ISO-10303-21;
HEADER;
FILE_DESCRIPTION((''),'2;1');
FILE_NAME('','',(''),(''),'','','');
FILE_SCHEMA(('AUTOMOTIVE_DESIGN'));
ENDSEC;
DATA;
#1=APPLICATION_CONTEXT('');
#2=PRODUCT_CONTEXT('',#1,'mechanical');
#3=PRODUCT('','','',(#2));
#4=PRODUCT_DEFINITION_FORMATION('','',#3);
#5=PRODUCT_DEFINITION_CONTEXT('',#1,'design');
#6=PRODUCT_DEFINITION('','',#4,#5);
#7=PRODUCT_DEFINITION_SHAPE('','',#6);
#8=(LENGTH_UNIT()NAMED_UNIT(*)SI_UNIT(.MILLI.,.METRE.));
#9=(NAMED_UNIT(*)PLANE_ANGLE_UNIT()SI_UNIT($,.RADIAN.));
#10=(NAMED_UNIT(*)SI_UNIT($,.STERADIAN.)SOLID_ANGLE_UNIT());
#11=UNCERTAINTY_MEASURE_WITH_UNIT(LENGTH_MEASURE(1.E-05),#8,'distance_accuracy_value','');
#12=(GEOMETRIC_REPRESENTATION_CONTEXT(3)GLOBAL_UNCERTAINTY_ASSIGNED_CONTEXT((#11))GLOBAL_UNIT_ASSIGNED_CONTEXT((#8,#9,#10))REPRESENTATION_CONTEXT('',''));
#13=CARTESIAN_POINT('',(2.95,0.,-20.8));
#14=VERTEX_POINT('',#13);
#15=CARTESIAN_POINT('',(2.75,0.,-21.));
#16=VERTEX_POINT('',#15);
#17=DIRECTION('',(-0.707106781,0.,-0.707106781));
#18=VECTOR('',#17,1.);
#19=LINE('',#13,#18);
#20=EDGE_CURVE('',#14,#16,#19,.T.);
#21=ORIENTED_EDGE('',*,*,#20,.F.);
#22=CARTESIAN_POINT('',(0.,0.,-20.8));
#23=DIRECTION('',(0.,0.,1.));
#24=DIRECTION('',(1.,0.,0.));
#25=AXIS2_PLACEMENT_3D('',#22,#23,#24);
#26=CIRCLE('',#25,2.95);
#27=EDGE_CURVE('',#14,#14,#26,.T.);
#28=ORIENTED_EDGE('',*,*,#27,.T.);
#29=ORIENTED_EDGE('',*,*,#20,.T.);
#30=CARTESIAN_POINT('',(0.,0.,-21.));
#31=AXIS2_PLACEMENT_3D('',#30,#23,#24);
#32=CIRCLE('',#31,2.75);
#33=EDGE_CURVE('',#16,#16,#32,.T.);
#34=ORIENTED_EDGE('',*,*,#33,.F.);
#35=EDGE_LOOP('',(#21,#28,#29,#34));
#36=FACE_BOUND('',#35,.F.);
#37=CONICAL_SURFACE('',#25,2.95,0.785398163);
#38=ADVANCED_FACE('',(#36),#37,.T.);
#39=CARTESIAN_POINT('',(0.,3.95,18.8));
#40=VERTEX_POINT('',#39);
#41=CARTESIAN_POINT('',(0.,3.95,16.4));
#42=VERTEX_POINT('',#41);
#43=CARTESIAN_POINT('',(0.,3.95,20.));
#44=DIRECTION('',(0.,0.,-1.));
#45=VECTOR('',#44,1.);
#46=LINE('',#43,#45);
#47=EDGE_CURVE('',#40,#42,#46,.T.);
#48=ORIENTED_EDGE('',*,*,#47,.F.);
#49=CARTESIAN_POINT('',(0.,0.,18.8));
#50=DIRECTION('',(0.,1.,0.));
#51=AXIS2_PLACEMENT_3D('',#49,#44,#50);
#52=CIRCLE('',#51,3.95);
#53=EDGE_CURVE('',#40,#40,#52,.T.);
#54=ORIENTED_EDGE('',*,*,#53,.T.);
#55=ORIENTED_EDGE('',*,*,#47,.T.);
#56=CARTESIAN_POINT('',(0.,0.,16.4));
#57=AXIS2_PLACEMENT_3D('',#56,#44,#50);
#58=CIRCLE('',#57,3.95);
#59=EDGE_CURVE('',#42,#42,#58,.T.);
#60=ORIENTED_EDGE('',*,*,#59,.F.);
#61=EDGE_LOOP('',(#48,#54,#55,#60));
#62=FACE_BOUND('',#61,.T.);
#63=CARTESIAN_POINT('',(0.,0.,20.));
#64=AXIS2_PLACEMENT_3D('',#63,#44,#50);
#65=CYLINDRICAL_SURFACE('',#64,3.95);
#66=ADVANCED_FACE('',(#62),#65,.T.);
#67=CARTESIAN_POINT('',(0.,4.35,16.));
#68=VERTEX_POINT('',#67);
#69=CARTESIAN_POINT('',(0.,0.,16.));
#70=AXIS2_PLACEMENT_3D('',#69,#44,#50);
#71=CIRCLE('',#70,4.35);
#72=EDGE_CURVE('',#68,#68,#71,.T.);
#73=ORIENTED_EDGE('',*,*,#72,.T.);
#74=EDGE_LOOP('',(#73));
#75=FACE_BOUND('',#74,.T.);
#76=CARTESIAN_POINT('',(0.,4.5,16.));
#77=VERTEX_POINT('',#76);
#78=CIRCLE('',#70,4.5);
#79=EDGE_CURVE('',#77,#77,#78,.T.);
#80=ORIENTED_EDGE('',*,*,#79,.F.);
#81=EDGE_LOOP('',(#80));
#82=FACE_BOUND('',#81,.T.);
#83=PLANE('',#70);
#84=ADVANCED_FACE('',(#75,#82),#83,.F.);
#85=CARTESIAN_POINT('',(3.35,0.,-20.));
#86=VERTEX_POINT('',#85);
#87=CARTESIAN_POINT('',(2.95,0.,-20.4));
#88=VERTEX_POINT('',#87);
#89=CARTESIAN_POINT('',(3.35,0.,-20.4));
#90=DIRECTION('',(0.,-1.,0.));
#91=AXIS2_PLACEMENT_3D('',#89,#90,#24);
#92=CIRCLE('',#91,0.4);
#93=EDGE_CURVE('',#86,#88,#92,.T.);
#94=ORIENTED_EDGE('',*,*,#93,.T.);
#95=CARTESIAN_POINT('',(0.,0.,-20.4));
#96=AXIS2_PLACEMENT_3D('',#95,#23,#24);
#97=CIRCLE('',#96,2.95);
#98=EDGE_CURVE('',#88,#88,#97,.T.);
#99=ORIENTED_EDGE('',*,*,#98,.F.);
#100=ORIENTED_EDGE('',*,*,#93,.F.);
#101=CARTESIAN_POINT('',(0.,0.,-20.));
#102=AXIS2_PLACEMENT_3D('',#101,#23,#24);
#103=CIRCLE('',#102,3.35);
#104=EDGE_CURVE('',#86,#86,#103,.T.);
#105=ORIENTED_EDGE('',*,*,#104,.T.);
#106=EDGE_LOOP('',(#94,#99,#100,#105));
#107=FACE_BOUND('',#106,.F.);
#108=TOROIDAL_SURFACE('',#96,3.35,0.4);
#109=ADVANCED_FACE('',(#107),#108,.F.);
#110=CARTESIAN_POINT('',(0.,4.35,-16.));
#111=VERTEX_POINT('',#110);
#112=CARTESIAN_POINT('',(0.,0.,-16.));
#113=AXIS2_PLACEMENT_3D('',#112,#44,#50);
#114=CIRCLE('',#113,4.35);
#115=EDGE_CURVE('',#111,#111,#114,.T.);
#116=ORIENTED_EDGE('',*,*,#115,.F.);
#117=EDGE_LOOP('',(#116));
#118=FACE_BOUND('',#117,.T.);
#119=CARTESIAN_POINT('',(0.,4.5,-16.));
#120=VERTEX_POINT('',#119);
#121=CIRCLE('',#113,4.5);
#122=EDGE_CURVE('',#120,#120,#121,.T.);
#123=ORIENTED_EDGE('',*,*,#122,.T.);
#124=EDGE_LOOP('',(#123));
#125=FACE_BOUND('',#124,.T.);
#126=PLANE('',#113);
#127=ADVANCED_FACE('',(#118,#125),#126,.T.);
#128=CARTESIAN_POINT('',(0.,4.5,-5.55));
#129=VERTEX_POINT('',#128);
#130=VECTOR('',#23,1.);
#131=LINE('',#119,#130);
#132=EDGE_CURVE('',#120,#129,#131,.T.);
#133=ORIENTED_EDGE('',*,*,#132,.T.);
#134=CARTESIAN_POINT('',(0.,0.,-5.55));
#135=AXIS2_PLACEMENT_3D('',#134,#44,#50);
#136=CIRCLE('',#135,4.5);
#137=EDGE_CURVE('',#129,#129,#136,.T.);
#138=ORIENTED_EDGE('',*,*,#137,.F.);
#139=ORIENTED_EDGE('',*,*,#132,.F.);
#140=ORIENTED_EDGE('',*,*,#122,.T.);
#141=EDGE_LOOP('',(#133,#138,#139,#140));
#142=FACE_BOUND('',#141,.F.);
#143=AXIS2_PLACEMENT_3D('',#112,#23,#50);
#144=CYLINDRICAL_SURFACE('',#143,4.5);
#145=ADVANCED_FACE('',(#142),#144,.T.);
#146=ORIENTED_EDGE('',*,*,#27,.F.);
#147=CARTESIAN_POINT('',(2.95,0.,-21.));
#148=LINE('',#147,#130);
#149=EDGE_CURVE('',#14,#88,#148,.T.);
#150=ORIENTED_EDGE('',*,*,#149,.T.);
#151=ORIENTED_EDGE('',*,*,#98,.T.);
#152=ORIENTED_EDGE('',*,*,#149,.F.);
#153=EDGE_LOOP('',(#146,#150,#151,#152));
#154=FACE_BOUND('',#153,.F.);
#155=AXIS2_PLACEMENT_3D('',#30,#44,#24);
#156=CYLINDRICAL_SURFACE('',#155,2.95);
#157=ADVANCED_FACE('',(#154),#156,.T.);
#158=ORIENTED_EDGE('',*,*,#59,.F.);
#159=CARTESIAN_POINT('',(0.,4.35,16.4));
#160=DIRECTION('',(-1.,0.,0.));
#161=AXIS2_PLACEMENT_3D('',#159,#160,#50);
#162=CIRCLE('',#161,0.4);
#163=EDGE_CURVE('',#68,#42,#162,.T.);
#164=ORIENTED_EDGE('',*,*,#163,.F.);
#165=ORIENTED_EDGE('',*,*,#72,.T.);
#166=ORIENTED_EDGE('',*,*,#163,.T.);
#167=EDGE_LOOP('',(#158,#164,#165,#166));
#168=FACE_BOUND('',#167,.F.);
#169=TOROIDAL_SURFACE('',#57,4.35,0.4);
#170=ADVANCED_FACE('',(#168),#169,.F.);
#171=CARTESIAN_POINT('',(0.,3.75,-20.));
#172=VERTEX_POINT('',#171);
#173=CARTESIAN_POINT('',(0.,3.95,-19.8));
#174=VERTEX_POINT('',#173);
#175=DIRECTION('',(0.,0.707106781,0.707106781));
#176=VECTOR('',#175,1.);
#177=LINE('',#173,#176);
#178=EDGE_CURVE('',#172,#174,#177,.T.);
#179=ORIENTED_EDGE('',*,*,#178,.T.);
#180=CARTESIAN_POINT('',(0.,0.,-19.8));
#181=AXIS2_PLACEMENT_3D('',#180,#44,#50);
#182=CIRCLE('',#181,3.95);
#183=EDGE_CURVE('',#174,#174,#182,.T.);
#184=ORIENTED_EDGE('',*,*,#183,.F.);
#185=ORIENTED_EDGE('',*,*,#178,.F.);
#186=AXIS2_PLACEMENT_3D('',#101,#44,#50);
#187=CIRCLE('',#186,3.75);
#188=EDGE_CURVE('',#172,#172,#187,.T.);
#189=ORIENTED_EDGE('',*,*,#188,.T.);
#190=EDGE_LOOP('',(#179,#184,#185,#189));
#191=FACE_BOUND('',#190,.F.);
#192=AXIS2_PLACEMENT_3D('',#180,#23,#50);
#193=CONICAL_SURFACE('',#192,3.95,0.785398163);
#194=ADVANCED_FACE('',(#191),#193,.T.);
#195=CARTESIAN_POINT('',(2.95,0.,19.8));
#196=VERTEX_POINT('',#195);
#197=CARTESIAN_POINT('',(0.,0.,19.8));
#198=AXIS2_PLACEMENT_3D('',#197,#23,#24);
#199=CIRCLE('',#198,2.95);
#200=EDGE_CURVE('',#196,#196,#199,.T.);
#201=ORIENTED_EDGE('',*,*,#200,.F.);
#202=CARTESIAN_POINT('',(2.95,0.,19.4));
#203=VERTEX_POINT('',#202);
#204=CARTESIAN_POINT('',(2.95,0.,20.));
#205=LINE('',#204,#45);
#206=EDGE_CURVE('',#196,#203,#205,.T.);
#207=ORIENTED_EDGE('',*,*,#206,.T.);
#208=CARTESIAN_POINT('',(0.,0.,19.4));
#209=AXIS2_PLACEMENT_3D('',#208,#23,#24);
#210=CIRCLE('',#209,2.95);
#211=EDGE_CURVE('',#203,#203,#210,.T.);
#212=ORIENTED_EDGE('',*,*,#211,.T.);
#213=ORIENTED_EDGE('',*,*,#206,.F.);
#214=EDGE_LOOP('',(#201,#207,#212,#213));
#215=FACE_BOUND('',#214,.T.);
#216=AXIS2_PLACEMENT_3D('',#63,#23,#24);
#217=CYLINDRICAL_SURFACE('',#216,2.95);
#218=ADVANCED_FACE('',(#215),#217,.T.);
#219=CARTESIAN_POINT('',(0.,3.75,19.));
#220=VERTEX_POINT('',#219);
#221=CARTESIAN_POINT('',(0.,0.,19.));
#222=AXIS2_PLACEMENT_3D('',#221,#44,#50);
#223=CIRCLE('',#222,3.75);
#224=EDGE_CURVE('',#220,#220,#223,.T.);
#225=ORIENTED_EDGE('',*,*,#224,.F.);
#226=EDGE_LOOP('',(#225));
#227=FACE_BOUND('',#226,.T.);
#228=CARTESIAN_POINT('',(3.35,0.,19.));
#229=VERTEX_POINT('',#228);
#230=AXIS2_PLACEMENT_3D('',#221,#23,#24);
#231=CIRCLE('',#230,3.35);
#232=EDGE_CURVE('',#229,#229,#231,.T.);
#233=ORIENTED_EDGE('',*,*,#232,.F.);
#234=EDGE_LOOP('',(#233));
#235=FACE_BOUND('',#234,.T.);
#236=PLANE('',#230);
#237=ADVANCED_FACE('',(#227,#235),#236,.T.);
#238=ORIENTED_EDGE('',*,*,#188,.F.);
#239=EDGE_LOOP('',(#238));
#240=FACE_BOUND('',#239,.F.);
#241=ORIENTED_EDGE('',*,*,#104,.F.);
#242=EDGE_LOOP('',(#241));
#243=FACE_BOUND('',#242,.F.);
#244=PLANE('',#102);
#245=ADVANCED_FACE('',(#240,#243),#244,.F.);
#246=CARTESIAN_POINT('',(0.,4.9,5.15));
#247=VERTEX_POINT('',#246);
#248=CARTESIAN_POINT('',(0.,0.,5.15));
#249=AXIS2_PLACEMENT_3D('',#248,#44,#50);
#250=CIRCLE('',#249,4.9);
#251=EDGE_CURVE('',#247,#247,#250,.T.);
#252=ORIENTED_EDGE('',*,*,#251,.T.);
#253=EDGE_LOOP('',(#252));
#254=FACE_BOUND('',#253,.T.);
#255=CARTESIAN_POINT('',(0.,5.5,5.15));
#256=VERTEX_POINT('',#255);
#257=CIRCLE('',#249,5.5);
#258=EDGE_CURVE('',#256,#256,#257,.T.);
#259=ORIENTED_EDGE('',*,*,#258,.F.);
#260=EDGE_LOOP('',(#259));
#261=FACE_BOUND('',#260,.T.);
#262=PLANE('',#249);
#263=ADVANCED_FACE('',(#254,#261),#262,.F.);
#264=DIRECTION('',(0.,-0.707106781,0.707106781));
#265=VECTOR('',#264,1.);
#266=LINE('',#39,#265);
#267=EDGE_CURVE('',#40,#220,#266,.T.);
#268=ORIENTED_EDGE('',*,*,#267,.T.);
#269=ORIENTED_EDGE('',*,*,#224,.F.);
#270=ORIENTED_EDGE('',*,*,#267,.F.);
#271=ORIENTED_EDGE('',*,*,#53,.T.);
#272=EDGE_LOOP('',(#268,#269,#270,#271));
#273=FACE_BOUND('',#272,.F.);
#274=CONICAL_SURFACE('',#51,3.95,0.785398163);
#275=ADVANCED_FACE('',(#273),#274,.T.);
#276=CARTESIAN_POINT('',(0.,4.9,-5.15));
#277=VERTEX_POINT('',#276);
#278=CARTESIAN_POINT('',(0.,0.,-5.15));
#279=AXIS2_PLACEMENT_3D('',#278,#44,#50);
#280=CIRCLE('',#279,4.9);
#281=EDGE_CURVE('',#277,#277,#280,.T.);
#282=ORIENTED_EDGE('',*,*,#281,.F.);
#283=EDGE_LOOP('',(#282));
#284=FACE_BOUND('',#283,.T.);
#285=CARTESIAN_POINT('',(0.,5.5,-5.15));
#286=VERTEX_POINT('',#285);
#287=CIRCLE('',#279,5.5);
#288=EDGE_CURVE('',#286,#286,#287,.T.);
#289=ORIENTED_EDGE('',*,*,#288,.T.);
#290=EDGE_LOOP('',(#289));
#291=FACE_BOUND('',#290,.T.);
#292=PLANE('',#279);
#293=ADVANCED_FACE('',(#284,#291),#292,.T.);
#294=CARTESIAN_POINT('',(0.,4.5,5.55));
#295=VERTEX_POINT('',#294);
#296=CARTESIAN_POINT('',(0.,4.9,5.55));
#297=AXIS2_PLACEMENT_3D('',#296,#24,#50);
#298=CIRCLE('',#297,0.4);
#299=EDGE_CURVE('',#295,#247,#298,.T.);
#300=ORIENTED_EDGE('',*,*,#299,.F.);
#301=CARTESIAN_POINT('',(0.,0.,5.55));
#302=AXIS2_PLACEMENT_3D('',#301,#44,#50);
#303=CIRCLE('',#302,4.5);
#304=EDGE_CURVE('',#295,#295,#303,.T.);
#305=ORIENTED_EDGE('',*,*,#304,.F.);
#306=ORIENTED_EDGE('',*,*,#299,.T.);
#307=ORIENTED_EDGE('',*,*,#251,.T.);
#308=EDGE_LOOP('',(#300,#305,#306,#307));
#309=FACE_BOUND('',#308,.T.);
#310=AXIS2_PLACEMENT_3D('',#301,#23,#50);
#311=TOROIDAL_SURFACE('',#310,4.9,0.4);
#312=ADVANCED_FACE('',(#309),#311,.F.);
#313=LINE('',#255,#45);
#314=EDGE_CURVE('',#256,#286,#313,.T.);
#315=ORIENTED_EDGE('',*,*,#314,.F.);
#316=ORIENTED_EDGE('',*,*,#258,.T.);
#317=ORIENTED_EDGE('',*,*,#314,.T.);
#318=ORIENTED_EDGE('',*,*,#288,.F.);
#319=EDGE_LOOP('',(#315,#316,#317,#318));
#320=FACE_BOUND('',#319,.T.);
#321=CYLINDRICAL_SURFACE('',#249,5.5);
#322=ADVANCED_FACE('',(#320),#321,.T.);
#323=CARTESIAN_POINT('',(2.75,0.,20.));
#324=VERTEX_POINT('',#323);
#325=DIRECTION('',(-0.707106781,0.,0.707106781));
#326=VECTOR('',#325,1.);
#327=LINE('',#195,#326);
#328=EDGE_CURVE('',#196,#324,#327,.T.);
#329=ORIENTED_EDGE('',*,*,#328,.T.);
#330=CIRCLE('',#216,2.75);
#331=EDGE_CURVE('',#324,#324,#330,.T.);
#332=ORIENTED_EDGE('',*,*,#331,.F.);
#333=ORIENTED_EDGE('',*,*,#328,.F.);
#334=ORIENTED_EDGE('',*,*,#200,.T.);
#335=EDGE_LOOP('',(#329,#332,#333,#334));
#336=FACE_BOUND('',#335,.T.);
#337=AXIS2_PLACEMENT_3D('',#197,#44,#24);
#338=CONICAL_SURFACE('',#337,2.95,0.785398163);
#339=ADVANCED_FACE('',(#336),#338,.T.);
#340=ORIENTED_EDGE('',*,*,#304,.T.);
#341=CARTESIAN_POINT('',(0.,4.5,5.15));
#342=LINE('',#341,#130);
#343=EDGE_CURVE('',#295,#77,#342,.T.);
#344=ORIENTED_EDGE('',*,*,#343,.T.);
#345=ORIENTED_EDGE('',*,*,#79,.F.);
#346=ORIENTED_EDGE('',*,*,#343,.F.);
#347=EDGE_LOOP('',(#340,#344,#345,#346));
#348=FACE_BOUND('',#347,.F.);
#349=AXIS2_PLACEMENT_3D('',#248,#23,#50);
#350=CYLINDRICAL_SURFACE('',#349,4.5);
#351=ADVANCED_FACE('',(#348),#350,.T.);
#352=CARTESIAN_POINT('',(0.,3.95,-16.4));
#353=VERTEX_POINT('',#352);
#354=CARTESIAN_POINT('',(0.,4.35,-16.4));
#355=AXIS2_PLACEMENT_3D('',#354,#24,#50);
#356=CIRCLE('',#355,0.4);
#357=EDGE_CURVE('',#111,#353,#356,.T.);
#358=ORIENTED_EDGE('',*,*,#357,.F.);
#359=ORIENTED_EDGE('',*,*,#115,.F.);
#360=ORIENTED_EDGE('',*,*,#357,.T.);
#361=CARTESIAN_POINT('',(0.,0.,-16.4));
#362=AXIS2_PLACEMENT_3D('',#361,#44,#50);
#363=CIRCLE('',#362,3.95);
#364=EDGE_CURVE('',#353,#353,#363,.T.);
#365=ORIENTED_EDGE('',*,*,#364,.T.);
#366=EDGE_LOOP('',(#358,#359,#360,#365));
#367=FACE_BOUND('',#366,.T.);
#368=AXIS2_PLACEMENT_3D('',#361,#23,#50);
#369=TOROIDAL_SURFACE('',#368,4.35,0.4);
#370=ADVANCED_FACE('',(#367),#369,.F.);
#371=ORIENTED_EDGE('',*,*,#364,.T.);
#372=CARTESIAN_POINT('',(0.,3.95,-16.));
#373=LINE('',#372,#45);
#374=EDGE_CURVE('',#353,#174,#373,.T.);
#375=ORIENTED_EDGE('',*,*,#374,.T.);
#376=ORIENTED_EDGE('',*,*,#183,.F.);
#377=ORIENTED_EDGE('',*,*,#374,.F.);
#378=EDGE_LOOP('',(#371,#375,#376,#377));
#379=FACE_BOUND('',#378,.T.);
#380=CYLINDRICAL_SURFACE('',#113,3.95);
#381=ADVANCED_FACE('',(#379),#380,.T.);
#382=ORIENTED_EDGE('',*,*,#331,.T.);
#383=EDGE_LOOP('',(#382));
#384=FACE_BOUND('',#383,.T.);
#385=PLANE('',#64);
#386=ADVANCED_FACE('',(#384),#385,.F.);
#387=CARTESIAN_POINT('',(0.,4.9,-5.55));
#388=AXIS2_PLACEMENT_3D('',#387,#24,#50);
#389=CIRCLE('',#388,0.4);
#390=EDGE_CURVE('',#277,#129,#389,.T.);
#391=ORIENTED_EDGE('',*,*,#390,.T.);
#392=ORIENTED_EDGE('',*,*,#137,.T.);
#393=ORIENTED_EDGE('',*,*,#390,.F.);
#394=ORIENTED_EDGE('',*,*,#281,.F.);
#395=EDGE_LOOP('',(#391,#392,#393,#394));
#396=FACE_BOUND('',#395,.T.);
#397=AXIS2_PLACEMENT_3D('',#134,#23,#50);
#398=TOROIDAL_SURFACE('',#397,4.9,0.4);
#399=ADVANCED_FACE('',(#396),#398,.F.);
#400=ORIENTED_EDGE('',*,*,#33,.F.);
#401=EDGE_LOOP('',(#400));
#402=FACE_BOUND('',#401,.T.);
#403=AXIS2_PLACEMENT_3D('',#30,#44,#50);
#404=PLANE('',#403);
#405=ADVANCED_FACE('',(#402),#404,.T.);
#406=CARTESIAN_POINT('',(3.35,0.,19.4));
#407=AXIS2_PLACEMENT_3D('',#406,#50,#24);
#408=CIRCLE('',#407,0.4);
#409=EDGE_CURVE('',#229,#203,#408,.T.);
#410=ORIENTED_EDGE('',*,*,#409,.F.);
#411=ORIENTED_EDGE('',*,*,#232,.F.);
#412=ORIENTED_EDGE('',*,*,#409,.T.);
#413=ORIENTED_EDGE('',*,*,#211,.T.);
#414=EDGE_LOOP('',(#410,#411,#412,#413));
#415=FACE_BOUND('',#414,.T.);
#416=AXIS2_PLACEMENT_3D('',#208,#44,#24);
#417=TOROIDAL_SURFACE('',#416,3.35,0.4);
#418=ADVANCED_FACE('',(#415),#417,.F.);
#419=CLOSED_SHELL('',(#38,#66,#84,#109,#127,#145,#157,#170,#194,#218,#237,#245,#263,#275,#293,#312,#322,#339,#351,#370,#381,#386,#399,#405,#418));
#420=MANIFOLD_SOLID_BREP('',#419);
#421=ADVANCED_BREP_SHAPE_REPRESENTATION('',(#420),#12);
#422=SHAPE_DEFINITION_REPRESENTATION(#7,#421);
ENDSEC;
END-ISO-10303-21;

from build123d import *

# Parameters (mm, degrees)
BEARINGBOREFILLET_R = 0.4
FILLET2_R           = 0.4
CUT_EXTRUDE1_START  = 20
SKETCH2_OUTSIDE_W   = 21.77
SKETCH2_OUTSIDE_H   = 21.77
SKETCH2_OUTSIDE_R   = 2.95
CUT_EXTRUDE1_DEPTH  = 1
CUT_EXTRUDE2_START  = -21
SKETCH2_2_OUTSIDE_W = 21.77
SKETCH2_2_OUTSIDE_H = 21.77
SKETCH2_2_OUTSIDE_R = 2.95
CUT_EXTRUDE2_DEPTH  = 1
FILLET3_R           = 0.4
CHAMFER1_SIZE       = 0.2


with BuildPart() as part:
    # Sketch1 → Revolve1 (revolve)
    with BuildSketch(Plane(origin=(0, 0, 0), x_dir=(0, 0, -1), z_dir=(1, 0, 0))):
        Polygon((5.15, 5.5), (5.15, 4.5), (15, 4.5), (16, 4.5), (16, 3.95), (21, 3.95), (21, 0), (-20, 0), (-20, 3.95), (-16, 3.95), (-16, 4.5), (-15, 4.5), (-5.15, 4.5), (-5.15, 5.5), align=None)
    revolve(axis=Axis((0, 0, 20), (0, 0, -1)))

    # bearingBoreFillet
    bearingborefillet_edges = [part.edges().sort_by_distance(p)[0] for p in [
        (0, -4.5, -5.15),
        (0, -4.5, 5.15),
    ]]
    fillet(bearingborefillet_edges, radius=BEARINGBOREFILLET_R)

    # Fillet2
    fillet2_edges = [part.edges().sort_by_distance(p)[0] for p in [
        (0, -3.95, 16),
        (0, -3.95, -16),
    ]]
    fillet(fillet2_edges, radius=FILLET2_R)

    # Sketch2 outside → Cut-Extrude1 (cut)
    with BuildSketch(Plane.XY.offset(CUT_EXTRUDE1_START)):
        Rectangle(SKETCH2_OUTSIDE_W, SKETCH2_OUTSIDE_H)
        Circle(SKETCH2_OUTSIDE_R, mode=Mode.SUBTRACT)
    extrude(amount=-CUT_EXTRUDE1_DEPTH, mode=Mode.SUBTRACT)

    # Sketch2<2> outside → Cut-Extrude2 (cut)
    with BuildSketch(Plane.XY.offset(CUT_EXTRUDE2_START)):
        Rectangle(SKETCH2_2_OUTSIDE_W, SKETCH2_2_OUTSIDE_H)
        Circle(SKETCH2_2_OUTSIDE_R, mode=Mode.SUBTRACT)
    extrude(amount=CUT_EXTRUDE2_DEPTH, mode=Mode.SUBTRACT)

    # Fillet3
    fillet3_edges = [part.edges().sort_by_distance(p)[0] for p in [
        (-2.95, 0, 19),
        (-2.95, 0, -20),
    ]]
    fillet(fillet3_edges, radius=FILLET3_R)

    # Chamfer1
    chamfer1_edges = [part.edges().sort_by_distance(p)[0] for p in [
        (0, -3.95, 19),
        (-2.95, 0, 20),
        (-2.95, 0, -21),
        (0, -3.95, -20),
    ]]
    chamfer(chamfer1_edges, length=CHAMFER1_SIZE)


solid = part.part
